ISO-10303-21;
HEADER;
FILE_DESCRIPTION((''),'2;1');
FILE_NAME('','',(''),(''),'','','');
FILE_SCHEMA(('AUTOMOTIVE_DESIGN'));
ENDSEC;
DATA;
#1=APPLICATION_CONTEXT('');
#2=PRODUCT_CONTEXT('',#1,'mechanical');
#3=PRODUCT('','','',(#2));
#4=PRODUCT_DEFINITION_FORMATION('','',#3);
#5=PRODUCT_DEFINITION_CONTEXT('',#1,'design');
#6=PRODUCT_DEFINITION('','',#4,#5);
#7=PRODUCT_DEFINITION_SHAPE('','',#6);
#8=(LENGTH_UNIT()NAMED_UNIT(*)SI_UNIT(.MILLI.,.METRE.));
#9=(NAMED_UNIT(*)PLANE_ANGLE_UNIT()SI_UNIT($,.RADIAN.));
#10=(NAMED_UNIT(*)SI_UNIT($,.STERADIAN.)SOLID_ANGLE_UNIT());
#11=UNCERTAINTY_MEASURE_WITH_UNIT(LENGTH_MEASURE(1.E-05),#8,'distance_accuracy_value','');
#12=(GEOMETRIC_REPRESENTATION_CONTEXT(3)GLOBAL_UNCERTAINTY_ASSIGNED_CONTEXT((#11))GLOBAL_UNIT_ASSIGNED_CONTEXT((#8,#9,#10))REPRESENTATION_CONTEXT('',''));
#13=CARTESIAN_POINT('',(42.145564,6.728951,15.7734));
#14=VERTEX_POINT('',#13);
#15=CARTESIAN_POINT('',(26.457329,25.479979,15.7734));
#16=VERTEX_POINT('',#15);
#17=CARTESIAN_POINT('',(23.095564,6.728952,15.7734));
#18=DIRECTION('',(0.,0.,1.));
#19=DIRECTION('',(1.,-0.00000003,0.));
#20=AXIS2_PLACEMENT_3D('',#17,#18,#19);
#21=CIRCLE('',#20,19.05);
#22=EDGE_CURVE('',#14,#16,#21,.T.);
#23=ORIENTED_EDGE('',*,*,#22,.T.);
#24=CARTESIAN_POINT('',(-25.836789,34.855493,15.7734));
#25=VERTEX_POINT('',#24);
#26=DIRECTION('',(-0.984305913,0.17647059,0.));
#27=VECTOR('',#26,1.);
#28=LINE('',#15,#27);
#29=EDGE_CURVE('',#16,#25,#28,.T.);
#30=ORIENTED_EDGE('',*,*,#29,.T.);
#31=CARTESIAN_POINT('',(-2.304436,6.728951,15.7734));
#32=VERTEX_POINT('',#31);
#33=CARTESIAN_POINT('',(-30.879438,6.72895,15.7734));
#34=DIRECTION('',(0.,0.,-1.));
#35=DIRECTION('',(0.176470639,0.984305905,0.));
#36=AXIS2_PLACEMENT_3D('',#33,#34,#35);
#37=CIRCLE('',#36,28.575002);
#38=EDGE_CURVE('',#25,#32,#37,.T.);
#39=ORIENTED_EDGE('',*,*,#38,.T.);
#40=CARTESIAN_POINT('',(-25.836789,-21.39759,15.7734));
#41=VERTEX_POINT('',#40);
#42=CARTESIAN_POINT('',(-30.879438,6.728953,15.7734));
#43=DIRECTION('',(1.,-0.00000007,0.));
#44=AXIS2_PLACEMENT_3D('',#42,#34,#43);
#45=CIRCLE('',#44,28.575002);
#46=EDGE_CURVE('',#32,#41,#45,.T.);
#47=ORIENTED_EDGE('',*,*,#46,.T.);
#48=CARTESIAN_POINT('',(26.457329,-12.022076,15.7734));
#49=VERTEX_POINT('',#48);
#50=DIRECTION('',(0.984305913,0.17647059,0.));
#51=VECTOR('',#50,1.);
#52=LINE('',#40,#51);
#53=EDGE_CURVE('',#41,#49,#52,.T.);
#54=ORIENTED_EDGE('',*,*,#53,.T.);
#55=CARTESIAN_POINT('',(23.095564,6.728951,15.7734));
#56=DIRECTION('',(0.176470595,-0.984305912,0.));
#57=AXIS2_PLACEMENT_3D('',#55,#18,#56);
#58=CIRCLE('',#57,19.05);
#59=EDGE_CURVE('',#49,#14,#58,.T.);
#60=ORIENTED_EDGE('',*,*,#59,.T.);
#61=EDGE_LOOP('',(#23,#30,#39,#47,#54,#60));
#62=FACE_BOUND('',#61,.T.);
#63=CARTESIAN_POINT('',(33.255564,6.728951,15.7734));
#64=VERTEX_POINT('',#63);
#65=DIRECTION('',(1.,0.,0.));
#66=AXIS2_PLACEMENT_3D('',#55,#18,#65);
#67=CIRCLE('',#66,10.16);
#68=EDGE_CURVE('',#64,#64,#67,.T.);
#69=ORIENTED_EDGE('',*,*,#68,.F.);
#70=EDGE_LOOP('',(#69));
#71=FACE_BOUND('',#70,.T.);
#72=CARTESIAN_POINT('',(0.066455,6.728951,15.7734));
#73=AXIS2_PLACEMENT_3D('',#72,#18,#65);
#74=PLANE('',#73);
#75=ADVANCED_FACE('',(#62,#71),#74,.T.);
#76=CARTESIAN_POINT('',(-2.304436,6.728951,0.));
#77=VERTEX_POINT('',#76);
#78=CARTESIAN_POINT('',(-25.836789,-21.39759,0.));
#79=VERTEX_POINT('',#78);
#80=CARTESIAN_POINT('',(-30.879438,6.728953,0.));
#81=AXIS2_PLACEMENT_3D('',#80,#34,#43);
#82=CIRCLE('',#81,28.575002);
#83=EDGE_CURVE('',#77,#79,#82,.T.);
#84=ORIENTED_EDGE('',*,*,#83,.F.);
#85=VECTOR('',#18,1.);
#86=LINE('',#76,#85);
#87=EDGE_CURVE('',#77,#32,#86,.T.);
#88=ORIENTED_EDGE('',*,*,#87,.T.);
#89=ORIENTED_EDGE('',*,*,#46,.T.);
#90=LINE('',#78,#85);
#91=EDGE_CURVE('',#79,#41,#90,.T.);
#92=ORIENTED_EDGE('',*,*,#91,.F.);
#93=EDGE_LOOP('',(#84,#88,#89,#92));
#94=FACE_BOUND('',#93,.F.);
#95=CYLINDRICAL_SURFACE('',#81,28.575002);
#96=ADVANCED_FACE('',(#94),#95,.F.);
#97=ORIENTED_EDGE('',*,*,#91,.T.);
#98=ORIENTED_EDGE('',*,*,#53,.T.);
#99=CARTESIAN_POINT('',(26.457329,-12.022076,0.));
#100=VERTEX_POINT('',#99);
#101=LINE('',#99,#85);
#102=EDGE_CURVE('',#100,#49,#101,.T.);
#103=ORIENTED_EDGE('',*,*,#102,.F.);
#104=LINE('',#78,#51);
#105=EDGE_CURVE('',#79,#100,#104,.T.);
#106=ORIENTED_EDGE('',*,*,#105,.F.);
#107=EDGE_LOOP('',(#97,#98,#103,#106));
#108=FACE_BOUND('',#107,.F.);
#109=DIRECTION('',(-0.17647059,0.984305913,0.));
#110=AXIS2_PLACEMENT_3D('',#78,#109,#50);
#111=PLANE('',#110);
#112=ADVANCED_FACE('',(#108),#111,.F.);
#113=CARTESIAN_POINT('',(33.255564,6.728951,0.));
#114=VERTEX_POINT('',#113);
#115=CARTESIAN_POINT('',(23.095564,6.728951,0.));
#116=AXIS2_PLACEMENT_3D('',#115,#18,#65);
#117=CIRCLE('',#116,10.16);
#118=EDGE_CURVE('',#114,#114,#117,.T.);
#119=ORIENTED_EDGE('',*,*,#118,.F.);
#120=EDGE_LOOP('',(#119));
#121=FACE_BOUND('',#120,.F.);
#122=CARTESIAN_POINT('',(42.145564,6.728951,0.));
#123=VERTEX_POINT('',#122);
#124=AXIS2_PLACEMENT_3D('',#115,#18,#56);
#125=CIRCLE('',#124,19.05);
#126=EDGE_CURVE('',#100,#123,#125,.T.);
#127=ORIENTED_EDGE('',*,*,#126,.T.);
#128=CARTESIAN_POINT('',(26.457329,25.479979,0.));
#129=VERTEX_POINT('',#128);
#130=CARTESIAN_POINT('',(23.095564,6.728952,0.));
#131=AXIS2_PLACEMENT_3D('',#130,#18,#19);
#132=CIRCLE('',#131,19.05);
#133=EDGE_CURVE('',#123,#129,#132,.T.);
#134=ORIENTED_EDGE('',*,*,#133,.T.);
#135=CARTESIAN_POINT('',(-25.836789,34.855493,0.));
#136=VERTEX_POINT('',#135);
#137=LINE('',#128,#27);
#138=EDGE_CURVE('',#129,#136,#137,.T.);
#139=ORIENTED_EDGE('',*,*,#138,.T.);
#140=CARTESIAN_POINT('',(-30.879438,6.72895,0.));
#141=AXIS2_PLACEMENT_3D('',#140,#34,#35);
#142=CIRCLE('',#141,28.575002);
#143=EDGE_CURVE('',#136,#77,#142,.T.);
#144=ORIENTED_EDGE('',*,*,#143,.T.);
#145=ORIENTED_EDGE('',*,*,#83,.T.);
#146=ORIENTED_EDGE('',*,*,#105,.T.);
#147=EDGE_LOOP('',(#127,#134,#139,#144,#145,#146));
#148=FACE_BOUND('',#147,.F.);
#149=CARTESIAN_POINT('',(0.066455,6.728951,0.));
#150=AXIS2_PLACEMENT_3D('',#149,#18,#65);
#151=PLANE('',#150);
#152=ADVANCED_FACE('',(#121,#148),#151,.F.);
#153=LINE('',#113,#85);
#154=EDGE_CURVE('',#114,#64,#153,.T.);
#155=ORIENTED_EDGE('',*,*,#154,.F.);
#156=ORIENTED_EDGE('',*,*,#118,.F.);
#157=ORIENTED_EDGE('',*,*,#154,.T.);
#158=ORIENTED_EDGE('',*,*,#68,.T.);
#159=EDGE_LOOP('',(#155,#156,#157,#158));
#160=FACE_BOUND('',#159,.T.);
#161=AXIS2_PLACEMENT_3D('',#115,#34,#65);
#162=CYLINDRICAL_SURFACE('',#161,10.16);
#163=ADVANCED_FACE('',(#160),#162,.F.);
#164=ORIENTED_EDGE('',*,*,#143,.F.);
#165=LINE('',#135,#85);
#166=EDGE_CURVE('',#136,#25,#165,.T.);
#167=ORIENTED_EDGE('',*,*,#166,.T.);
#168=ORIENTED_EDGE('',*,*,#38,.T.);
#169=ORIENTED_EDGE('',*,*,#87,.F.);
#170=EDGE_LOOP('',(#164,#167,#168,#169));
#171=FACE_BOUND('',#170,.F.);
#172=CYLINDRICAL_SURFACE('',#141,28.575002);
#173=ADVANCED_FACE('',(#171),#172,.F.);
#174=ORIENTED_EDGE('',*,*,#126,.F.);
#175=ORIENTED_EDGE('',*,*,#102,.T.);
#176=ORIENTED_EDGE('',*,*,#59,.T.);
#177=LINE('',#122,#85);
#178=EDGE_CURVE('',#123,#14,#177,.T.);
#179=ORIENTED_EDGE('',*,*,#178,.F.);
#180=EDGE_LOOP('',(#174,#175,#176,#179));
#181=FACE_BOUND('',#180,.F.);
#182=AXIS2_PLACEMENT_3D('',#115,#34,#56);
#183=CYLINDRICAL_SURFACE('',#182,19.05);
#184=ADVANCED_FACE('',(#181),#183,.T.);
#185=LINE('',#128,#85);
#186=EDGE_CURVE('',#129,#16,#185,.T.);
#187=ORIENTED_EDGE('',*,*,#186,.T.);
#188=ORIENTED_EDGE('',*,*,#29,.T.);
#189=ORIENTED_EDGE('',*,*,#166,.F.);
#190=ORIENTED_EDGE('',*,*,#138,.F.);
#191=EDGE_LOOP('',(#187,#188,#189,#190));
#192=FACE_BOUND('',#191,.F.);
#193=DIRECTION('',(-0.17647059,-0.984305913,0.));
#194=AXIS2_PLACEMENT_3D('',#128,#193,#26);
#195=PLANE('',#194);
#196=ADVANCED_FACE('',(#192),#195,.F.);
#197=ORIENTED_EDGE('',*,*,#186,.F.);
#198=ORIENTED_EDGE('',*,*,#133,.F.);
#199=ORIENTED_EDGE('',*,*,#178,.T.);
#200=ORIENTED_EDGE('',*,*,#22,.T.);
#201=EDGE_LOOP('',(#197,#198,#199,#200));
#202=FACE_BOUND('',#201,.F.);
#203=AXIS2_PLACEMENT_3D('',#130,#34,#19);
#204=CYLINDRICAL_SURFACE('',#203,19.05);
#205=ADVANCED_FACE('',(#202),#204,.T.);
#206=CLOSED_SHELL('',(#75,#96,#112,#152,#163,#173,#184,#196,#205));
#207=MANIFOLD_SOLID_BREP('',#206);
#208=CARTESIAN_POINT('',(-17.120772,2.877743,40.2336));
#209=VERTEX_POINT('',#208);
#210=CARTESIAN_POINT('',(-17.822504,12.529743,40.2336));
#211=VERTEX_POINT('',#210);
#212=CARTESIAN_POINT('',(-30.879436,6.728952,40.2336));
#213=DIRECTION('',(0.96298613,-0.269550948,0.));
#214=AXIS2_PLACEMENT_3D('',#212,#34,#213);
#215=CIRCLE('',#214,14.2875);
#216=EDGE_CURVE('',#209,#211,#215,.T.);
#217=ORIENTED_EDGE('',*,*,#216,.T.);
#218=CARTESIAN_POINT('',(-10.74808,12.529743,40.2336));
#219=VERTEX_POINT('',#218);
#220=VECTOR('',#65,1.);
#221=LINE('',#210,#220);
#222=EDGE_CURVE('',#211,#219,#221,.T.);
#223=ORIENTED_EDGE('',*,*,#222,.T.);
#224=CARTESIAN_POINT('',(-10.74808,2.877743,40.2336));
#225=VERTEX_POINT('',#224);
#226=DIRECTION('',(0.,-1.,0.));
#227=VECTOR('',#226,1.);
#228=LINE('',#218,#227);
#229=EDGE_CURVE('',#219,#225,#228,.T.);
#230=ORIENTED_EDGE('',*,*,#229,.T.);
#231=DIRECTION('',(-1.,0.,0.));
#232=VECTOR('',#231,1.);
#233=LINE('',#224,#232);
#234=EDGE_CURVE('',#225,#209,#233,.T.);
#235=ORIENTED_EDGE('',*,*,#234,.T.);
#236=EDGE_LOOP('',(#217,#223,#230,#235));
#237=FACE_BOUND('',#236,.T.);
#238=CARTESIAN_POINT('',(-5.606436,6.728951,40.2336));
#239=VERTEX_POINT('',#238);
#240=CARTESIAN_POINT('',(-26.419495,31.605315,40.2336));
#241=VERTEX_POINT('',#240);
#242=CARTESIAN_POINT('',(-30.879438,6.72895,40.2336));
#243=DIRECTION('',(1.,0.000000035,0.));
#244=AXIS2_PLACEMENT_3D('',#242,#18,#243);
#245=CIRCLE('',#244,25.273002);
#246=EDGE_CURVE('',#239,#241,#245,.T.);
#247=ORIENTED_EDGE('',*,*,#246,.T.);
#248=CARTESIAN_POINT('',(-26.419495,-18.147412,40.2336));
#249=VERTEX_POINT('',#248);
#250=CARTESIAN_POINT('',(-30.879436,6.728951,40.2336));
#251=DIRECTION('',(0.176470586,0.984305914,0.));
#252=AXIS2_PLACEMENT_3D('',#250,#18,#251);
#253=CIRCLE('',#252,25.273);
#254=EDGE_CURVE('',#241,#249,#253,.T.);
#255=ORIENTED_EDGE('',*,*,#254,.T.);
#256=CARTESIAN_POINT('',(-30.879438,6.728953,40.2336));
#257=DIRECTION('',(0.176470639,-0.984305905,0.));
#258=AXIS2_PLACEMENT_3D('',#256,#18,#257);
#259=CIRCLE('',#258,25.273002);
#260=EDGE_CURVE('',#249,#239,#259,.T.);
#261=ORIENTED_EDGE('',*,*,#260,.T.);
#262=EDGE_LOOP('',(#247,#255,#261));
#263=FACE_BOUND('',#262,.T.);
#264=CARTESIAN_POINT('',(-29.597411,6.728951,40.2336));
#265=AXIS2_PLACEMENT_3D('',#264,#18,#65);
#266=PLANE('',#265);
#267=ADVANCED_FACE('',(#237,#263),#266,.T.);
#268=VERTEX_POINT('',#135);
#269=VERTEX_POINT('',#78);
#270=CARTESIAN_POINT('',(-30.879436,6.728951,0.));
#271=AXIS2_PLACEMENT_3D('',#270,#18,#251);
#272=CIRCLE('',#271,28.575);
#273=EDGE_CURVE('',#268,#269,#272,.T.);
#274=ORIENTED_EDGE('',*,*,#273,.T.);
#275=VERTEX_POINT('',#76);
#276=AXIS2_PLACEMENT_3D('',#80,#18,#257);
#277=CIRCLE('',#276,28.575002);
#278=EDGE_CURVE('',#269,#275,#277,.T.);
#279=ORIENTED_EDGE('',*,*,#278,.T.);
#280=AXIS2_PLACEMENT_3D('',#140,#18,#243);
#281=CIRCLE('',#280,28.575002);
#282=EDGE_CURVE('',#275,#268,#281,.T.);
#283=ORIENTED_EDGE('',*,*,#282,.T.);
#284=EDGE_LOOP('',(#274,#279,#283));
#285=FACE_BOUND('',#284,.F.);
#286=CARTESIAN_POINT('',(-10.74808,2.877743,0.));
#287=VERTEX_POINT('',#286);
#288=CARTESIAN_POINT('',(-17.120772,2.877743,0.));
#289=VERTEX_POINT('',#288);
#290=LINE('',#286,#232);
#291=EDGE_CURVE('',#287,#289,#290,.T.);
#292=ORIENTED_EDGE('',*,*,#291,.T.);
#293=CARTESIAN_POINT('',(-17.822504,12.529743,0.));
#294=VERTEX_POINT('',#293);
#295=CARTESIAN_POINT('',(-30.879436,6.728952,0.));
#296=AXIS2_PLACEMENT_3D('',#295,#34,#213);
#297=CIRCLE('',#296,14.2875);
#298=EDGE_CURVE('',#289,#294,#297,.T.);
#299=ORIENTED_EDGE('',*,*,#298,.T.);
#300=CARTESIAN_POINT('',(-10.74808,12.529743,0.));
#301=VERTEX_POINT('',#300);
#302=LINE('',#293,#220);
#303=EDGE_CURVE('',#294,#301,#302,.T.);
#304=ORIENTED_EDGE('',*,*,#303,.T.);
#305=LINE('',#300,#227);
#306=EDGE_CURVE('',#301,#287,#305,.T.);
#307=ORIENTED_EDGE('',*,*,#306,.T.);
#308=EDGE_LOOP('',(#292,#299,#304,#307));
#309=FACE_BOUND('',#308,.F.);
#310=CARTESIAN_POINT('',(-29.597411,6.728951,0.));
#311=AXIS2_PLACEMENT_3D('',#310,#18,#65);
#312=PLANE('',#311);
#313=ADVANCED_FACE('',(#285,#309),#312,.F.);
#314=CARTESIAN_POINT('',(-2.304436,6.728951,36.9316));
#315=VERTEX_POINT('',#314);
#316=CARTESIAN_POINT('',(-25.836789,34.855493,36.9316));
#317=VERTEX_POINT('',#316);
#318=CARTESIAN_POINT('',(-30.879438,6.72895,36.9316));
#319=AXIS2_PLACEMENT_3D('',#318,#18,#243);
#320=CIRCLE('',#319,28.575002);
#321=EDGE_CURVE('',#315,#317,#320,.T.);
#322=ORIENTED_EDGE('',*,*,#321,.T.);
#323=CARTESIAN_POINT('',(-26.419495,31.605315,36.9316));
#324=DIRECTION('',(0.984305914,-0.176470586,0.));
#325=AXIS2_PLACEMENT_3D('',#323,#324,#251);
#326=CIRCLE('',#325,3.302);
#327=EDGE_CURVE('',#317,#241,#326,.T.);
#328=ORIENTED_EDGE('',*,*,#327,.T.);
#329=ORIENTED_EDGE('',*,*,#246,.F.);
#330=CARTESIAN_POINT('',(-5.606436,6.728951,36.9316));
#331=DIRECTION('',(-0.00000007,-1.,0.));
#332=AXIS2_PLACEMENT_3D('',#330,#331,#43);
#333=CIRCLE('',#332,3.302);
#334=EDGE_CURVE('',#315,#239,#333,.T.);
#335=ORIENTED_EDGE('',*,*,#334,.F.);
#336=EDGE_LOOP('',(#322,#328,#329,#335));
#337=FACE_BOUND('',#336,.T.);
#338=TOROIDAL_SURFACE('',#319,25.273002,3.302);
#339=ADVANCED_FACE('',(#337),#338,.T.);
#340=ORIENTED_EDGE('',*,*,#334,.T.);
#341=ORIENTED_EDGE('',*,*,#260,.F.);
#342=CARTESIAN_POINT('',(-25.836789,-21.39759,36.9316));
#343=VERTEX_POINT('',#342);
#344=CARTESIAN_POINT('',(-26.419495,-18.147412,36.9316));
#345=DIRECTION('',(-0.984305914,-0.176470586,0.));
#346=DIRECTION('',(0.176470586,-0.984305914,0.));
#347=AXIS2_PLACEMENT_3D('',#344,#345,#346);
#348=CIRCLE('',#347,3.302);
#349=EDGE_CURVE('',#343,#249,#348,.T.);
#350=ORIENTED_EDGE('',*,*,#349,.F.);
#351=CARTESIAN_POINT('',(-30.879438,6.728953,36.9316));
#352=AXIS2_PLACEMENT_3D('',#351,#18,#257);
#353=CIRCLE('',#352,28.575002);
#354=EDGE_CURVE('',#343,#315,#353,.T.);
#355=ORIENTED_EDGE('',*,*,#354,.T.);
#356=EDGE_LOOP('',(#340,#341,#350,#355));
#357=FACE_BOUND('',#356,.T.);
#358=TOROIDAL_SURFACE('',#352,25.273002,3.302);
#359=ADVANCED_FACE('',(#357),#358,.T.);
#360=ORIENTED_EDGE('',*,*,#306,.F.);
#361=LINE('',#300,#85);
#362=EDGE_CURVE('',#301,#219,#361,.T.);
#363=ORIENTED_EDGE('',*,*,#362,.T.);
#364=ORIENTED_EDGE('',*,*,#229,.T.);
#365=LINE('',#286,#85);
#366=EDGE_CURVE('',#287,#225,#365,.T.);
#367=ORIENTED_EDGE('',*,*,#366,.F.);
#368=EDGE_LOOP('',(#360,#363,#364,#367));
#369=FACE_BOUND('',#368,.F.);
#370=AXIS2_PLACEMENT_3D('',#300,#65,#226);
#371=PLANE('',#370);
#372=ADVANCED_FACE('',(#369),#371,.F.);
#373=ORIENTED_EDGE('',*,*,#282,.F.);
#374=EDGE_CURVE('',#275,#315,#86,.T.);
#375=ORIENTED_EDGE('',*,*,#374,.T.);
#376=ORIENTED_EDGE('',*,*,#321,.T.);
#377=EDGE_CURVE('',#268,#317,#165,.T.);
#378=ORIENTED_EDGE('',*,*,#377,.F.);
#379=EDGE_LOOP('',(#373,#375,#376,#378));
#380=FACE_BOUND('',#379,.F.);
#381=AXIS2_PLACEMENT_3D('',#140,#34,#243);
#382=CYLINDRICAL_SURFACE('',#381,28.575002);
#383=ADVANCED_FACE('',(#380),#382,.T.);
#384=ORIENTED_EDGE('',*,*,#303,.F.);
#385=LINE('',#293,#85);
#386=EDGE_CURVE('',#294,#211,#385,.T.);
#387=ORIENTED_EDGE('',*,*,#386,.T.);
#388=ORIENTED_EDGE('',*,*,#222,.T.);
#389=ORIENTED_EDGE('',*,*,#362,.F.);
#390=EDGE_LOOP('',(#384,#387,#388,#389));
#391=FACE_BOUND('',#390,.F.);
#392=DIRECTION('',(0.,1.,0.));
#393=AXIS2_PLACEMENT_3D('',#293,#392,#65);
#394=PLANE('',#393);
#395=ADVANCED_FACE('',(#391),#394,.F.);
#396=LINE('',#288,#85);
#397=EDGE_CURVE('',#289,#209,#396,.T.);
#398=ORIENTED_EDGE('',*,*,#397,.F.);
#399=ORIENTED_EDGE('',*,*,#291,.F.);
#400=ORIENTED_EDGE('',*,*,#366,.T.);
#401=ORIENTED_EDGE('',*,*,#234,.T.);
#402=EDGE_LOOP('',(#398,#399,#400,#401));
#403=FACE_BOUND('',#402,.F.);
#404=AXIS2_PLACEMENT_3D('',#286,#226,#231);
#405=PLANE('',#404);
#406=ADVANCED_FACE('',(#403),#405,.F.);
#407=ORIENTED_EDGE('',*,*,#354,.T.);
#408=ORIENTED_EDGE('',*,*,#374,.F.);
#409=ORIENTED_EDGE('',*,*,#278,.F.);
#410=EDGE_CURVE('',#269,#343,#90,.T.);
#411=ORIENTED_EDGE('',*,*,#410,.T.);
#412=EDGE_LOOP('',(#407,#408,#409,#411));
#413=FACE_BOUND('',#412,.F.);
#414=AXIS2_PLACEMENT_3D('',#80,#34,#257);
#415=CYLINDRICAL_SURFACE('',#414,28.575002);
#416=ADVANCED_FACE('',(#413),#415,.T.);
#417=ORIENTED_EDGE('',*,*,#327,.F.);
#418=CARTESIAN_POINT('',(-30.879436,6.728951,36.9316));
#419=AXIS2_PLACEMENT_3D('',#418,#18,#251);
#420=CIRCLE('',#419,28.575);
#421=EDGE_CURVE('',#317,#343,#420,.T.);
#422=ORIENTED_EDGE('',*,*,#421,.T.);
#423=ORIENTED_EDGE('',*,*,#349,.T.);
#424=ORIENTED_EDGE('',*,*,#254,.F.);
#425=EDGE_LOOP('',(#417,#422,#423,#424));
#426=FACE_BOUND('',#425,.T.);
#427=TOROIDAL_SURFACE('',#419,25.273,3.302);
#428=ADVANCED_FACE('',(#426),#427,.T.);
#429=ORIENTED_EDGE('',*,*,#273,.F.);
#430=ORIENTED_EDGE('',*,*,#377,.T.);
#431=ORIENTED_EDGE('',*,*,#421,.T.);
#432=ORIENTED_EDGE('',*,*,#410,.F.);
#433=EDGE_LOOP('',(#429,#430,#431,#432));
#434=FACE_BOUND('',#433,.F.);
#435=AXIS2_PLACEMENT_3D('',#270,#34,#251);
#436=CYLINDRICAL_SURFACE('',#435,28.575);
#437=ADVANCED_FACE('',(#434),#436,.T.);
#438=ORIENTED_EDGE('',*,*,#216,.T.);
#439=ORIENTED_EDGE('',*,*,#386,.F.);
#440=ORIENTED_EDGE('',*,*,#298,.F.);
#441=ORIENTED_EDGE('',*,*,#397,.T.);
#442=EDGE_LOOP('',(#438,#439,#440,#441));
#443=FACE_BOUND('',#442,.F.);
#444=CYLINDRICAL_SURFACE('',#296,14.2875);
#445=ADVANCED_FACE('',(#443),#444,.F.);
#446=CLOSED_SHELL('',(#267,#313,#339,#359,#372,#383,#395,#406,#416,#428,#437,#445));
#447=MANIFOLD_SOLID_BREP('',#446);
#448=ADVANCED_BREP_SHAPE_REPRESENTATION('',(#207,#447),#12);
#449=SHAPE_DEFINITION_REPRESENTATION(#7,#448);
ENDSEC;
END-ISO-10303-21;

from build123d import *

# Parameters (mm, degrees)
F1_DEPTH = 40.2336
F0_R     = 10.16
F2_DEPTH = 15.7734
F3_R     = 3.302


with BuildPart() as f1:
    # F0 (on Top) → F1 (new body)
    with BuildSketch(Plane.XY):
        with BuildLine():
            ThreePointArc((-25.836789, -21.39759), (-8.963412, -11.60731), (-2.304436, 6.728951))
            ThreePointArc((-2.304436, 6.728951), (-8.963412, 25.065213), (-25.836789, 34.855493))
            ThreePointArc((-25.836789, 34.855493), (-59.454436, 6.728951), (-25.836789, -21.39759))
        make_face()
        with BuildLine():
            ThreePointArc((-17.120772, 2.877743), (-45.129325, 5.692937), (-17.822504, 12.529743))
            Line((-17.822504, 12.529743), (-10.74808, 12.529743))
            Line((-10.74808, 12.529743), (-10.74808, 2.877743))
            Line((-10.74808, 2.877743), (-17.120772, 2.877743))
        make_face(mode=Mode.SUBTRACT)
    extrude(amount=F1_DEPTH)

    # F3
    f3_edges = [f1.edges().sort_by_distance(p)[0] for p in [
        (-35.922083, 34.855493, 40.2336),
    ]]
    fillet(f3_edges, radius=F3_R)


with BuildPart() as f2:
    # F0 (on Top) → F2 (new body)
    with BuildSketch(Plane.XY):
        with BuildLine():
            ThreePointArc((-25.836789, 34.855493), (-8.963412, 25.065213), (-2.304436, 6.728951))
            ThreePointArc((-2.304436, 6.728951), (-8.963412, -11.60731), (-25.836789, -21.39759))
            Line((-25.836789, -21.39759), (26.457329, -12.022076))
            ThreePointArc((26.457329, -12.022076), (4.045564, 6.728951), (26.457329, 25.479979))
            Line((26.457329, 25.479979), (-25.836789, 34.855493))
        make_face()
        with BuildLine():
            ThreePointArc((42.145564, 6.728951), (37.706247, 18.953126), (26.457329, 25.479979))
            ThreePointArc((26.457329, 25.479979), (4.045564, 6.728951), (26.457329, -12.022076))
            ThreePointArc((26.457329, -12.022076), (37.706247, -5.495223), (42.145564, 6.728951))
        make_face()
        with Locations((23.095564, 6.728951)):
            Circle(F0_R, mode=Mode.SUBTRACT)
    extrude(amount=F2_DEPTH)


solid = Compound([f1.part, f2.part])
